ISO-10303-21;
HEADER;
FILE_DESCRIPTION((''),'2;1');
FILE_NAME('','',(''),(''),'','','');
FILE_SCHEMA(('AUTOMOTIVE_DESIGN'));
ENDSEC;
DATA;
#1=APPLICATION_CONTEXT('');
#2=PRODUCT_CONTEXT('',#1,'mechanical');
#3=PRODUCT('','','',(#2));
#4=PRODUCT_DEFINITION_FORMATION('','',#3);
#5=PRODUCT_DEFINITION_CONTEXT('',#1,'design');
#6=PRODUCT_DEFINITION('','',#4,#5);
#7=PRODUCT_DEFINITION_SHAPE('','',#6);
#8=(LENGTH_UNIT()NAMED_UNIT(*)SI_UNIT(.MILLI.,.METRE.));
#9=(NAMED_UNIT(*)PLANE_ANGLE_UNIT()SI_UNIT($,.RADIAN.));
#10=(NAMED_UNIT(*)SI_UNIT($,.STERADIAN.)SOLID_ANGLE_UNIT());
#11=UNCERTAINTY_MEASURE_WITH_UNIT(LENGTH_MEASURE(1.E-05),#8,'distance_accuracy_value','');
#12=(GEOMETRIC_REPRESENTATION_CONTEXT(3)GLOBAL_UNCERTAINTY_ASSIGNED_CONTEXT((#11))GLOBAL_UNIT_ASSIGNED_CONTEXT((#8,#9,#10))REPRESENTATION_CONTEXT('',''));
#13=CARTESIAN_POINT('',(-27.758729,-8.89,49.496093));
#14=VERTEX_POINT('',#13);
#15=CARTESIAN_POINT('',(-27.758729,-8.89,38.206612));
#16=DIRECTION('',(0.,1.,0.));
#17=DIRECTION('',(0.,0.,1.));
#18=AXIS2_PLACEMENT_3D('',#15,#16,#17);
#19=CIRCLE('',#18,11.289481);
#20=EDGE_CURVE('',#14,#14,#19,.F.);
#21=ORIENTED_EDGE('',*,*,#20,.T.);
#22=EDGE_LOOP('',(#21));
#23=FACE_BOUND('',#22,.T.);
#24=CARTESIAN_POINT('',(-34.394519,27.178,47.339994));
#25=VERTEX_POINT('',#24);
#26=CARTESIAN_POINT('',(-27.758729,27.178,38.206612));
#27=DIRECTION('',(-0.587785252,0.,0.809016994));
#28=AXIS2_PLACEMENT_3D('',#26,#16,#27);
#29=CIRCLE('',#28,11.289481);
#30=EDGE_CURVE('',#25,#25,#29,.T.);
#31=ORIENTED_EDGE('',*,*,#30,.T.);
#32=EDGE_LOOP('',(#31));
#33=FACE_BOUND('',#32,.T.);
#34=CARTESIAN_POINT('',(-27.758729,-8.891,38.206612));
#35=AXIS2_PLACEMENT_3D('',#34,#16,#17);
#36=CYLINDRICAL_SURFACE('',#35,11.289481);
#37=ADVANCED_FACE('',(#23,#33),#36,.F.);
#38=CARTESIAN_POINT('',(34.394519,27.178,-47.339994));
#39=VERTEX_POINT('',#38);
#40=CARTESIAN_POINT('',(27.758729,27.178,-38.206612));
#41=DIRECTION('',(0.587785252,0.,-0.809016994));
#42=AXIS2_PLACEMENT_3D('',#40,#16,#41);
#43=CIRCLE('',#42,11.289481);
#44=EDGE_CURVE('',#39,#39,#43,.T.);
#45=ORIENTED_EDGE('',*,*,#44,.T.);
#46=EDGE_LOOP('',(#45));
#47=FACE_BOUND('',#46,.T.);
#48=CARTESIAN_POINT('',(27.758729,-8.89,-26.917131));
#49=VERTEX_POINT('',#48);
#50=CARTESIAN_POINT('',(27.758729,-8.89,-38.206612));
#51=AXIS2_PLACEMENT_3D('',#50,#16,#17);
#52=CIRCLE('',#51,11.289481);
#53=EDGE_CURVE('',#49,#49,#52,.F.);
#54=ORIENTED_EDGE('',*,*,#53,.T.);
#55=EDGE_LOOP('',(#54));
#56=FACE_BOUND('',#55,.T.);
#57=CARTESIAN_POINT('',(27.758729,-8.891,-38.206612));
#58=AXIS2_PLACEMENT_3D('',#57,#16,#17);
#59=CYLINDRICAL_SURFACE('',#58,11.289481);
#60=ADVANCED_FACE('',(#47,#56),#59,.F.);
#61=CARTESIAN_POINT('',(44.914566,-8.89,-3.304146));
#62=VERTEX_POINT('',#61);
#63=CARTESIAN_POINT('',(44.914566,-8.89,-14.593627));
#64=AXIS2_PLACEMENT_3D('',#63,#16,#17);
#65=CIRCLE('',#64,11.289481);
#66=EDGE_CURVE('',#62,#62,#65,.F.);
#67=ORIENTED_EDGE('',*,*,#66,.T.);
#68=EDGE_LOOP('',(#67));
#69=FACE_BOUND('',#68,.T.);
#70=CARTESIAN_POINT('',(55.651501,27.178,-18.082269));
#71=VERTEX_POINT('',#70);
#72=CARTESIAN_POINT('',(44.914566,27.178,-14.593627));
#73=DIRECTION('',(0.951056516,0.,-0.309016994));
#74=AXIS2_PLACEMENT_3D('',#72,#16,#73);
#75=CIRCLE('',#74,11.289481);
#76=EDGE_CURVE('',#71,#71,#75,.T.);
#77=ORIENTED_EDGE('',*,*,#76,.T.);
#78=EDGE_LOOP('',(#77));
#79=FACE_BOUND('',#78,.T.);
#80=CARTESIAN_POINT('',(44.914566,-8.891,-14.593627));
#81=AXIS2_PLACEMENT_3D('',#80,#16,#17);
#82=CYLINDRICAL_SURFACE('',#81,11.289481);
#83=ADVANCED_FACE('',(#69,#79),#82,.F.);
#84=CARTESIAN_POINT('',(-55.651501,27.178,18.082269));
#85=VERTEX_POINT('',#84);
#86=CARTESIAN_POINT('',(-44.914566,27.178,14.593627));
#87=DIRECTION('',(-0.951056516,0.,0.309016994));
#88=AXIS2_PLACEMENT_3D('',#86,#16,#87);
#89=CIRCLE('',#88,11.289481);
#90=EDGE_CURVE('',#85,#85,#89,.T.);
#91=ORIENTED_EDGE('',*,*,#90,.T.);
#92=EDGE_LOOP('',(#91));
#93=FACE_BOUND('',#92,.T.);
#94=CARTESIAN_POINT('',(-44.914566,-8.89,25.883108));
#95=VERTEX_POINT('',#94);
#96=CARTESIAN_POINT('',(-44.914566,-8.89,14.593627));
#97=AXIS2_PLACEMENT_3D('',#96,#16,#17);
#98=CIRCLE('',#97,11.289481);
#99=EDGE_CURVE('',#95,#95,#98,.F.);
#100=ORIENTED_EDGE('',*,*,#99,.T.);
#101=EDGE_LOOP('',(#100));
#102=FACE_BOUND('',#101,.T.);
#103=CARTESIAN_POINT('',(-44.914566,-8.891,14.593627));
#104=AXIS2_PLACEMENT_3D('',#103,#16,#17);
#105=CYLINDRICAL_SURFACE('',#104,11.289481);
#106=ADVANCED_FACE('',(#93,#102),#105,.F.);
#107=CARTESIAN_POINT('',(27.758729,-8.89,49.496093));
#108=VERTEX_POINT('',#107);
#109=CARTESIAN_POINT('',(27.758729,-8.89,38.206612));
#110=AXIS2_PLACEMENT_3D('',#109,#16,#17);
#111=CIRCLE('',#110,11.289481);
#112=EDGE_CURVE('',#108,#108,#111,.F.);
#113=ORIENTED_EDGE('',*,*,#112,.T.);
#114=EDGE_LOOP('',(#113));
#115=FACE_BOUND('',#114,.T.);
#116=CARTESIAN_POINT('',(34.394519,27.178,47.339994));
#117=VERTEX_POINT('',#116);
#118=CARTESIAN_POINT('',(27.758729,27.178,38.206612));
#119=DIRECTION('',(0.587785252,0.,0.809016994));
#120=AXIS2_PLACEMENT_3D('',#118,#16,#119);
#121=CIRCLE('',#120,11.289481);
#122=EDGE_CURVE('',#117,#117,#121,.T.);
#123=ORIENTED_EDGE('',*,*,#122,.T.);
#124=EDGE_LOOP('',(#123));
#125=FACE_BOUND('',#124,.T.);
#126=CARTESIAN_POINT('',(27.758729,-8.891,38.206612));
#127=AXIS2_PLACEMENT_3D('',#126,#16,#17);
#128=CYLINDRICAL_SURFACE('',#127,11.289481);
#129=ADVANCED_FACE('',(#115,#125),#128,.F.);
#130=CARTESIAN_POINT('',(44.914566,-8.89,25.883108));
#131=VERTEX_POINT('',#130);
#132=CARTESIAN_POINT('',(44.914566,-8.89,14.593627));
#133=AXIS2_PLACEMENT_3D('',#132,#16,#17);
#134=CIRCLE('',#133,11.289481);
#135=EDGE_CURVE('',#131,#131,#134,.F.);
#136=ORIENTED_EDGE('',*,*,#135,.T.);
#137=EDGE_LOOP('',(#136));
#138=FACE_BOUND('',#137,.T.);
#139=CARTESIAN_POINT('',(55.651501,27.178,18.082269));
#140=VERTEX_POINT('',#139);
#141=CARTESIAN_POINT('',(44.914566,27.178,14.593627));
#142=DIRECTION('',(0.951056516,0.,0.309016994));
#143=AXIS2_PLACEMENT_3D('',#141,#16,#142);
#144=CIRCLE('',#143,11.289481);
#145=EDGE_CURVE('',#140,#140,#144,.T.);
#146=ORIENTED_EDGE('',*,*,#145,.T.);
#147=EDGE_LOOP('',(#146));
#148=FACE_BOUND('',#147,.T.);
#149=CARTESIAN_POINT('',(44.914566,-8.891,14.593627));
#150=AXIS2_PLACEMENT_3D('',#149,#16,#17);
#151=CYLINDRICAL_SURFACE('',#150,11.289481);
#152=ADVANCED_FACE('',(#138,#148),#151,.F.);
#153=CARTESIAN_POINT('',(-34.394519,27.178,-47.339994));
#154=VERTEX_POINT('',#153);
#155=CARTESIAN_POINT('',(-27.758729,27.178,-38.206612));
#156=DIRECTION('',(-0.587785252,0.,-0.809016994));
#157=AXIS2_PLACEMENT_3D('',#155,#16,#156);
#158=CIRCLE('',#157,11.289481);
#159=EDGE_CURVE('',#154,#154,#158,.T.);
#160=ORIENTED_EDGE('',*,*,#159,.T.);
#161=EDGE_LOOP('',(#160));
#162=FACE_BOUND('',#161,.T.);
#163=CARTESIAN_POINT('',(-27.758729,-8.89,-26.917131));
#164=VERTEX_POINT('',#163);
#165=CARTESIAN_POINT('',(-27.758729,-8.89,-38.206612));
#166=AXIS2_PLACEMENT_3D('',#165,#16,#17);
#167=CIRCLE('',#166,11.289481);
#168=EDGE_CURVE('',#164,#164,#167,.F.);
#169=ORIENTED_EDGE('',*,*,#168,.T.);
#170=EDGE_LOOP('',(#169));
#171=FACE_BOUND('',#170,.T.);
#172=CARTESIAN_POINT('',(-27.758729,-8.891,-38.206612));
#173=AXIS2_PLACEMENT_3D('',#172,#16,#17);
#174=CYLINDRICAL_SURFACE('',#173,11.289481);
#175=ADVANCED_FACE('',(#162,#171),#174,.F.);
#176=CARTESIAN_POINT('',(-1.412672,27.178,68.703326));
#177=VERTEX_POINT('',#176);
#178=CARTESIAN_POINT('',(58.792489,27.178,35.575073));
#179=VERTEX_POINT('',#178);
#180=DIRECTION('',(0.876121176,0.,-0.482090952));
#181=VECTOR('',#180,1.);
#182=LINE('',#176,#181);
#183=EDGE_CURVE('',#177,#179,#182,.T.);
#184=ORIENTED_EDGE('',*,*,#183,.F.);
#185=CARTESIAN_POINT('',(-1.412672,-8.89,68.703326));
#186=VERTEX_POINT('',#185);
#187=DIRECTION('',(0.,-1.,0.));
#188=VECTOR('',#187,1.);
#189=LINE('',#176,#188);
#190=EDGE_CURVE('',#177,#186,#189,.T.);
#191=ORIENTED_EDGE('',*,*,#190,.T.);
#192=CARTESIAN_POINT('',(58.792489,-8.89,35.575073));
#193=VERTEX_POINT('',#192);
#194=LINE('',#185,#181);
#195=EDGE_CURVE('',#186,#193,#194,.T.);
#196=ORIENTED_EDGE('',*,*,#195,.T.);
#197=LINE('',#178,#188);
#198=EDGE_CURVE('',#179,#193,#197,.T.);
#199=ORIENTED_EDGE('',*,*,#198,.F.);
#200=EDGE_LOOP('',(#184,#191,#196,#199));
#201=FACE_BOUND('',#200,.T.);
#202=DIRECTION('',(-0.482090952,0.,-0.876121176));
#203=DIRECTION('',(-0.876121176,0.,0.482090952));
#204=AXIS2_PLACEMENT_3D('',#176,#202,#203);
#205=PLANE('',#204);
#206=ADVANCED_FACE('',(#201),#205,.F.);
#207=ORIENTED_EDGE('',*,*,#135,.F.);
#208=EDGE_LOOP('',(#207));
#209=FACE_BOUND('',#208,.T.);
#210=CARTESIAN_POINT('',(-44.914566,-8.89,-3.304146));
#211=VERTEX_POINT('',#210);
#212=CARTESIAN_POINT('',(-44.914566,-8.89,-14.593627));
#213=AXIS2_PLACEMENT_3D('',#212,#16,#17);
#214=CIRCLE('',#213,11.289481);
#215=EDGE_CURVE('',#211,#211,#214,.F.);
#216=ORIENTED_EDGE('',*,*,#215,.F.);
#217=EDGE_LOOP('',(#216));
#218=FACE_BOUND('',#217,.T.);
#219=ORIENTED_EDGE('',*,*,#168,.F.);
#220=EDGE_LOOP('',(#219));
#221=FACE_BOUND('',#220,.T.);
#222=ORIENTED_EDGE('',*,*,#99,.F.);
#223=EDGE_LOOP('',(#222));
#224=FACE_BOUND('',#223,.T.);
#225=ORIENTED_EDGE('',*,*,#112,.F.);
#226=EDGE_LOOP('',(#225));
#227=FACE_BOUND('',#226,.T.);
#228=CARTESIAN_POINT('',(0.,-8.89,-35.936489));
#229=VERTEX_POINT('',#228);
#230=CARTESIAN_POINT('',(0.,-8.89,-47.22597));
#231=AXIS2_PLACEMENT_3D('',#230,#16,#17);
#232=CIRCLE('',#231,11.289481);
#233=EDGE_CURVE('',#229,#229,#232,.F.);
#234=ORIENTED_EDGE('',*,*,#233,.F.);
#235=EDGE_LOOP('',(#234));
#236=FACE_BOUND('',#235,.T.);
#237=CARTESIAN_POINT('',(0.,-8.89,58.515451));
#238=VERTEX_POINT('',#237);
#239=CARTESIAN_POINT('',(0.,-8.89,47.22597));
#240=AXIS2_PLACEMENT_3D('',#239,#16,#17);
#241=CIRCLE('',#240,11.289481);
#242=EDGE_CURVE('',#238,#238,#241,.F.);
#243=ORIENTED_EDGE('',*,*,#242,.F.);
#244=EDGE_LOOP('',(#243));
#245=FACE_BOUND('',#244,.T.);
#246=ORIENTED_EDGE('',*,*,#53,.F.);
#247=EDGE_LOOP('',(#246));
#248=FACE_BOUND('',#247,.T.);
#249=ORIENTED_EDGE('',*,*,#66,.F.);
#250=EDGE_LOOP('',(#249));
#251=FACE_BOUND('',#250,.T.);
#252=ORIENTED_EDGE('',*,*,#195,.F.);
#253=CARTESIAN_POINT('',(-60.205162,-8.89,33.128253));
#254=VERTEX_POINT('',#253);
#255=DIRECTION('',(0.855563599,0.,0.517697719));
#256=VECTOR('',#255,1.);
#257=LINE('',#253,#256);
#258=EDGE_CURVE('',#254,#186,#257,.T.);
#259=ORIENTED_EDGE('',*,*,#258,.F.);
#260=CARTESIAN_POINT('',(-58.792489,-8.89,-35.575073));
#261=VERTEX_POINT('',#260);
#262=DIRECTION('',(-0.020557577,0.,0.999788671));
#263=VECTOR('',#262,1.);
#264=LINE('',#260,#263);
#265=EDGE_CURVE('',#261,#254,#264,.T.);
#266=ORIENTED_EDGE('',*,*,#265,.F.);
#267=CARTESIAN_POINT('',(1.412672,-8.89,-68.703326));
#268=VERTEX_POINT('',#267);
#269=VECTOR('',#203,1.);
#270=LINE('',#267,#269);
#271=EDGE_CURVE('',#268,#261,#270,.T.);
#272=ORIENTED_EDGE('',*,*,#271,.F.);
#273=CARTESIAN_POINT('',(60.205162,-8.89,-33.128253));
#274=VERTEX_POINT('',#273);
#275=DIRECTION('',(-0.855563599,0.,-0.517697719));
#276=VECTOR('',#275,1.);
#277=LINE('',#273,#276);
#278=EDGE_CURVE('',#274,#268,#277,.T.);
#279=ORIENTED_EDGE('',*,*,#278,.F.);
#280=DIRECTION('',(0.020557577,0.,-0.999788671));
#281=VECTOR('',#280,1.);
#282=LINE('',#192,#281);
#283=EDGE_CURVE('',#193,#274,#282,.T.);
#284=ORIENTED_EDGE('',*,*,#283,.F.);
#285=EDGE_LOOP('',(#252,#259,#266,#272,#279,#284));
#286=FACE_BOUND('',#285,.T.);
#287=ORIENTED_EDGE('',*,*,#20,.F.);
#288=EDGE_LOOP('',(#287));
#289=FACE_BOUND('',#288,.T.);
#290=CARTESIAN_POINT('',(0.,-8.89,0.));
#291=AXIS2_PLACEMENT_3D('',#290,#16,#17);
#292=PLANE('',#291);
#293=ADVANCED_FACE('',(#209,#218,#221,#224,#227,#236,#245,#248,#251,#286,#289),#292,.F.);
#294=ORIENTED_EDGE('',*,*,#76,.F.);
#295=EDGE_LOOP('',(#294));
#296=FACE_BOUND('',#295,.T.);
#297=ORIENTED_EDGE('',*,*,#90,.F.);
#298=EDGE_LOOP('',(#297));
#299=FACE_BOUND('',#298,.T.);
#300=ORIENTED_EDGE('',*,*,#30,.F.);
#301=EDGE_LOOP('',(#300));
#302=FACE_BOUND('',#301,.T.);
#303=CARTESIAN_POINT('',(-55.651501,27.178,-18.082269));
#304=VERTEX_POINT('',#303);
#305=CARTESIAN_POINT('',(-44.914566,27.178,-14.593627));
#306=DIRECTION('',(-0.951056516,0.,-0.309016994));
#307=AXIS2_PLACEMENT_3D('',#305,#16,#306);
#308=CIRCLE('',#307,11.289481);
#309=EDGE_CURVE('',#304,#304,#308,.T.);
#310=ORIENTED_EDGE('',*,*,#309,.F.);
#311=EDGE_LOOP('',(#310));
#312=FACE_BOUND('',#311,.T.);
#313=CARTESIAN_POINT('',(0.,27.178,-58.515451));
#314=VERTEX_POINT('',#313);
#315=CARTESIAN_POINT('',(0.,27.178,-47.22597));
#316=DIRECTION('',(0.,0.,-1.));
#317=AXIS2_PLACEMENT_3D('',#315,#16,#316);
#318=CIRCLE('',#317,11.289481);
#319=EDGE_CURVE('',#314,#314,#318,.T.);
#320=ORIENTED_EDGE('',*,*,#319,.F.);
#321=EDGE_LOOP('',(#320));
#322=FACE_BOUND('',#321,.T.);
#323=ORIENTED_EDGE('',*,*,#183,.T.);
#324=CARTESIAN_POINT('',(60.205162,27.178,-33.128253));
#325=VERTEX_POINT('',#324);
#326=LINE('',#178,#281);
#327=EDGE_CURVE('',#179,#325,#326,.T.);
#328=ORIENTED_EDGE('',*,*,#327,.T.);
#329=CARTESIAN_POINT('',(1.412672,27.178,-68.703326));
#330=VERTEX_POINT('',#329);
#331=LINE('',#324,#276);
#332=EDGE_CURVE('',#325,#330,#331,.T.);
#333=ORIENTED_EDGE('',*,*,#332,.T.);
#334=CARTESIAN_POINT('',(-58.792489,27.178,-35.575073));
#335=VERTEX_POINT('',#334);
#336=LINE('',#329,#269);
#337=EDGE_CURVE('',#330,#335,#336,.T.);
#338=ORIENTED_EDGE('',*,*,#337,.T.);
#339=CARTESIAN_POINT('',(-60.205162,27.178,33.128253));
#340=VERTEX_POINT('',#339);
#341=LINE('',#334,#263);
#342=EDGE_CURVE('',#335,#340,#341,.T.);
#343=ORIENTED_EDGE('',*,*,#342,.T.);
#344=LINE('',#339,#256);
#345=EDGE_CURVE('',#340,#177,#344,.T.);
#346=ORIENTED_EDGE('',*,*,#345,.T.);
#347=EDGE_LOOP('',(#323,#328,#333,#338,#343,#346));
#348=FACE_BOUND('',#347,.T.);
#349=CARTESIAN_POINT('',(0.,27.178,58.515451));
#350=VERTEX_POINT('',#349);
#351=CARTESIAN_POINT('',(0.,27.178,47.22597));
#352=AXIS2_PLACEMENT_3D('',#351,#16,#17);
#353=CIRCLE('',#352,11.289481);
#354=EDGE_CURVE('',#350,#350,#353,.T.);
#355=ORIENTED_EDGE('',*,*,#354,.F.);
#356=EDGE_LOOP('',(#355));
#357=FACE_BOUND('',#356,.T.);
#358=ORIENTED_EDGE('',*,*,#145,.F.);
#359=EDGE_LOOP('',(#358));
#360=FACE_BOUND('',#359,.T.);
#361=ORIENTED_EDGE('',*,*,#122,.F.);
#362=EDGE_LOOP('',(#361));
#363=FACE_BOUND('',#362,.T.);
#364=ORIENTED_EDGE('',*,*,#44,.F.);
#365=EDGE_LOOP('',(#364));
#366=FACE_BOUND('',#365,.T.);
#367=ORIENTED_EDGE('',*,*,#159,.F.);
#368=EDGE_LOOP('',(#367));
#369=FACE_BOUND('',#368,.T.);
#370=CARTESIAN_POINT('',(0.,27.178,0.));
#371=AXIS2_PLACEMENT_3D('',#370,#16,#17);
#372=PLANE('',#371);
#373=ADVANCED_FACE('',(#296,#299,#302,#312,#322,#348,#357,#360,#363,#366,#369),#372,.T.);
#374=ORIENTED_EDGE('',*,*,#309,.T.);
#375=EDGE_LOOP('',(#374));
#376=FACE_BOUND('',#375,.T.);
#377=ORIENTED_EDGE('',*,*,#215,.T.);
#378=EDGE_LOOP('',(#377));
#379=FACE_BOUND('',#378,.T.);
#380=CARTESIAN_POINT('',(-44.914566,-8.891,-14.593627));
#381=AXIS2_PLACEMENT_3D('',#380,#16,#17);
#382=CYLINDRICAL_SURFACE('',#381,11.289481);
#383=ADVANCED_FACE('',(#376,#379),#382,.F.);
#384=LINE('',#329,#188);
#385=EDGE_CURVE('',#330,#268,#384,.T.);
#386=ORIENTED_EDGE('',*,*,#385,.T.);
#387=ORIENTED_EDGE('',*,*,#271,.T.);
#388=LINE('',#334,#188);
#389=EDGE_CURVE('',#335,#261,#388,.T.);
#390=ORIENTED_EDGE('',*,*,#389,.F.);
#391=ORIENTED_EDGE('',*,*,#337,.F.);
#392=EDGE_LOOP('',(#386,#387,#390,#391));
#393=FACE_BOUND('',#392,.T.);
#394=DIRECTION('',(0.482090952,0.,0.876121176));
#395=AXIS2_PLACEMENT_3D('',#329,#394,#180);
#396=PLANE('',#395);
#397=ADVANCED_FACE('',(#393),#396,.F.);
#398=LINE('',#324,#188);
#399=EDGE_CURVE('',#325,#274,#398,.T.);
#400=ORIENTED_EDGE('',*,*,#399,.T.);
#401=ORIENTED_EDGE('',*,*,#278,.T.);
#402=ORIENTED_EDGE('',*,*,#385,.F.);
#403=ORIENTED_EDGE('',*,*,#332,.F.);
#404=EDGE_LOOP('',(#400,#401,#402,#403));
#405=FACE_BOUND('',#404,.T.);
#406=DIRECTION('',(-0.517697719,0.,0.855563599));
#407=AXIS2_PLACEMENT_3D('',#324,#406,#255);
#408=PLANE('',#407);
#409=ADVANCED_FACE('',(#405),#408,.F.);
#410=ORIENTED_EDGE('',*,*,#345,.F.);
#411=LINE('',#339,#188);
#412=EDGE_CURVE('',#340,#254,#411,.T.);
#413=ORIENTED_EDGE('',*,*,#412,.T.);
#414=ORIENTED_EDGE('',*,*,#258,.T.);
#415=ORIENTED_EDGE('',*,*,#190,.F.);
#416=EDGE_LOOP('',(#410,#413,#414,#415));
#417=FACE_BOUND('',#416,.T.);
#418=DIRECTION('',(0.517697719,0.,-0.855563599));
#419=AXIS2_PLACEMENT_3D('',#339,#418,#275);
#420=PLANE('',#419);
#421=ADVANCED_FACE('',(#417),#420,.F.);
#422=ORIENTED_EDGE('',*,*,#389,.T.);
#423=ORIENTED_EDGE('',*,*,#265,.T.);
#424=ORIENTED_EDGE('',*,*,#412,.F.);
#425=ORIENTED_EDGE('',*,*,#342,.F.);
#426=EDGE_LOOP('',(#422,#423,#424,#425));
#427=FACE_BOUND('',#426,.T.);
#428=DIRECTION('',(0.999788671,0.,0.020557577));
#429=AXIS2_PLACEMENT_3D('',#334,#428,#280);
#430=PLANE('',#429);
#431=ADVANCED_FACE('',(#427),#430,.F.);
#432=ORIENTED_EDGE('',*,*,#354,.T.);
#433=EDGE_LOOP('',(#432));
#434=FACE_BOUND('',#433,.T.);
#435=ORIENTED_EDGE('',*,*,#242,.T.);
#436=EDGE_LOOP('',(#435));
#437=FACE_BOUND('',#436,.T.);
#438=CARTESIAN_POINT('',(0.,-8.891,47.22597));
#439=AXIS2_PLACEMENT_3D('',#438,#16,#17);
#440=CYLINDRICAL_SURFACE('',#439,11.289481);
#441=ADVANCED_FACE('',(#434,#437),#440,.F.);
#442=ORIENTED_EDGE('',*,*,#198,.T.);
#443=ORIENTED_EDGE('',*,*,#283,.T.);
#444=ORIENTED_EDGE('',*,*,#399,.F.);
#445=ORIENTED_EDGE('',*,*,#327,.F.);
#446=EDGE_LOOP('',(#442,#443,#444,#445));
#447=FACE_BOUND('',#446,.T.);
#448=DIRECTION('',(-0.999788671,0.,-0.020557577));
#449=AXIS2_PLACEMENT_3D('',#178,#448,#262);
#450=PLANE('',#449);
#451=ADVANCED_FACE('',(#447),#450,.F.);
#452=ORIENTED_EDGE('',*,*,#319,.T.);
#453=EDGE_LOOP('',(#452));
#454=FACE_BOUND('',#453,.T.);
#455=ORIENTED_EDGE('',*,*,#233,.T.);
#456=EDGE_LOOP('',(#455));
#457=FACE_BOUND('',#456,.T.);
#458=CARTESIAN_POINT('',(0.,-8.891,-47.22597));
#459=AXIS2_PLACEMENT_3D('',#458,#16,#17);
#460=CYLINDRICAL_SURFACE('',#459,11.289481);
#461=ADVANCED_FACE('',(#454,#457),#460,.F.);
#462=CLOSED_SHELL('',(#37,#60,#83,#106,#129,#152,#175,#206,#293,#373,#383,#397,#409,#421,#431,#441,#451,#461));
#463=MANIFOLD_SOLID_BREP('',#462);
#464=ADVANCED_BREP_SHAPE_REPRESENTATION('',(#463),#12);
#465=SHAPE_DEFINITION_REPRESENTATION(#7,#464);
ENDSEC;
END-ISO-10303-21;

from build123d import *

# Parameters (mm, degrees)
BOSS_EXTRUDE1_DEPTH      = 27.178
BOSS_EXTRUDE1_DEPTH_BACK = 8.89
CUT_EXTRUDE1_REACH       = 100.213
SKETCH3_R                = 11.289480869
CIRPATTERN1_COUNT        = 10


with BuildPart() as part:
    # Sketch1 → Boss-Extrude1 (new, two sides: drawn at the far end of the back side and taken through both)
    with BuildSketch(Plane(origin=(0, 0, 0), x_dir=(1, 0, 0), z_dir=(0, 1, 0)).offset(-BOSS_EXTRUDE1_DEPTH_BACK)):
        Polygon((58.792489402, -35.575073205), (60.205161838, 33.128252771), (1.412672436, 68.703325976), (-58.792489402, 35.575073205), (-60.205161838, -33.128252771), (-1.412672436, -68.703325976), align=None)
    extrude(amount=BOSS_EXTRUDE1_DEPTH + BOSS_EXTRUDE1_DEPTH_BACK)

    # Sketch3 → Cut-Extrude1 (cut, up to next)
    with BuildSketch(Plane(origin=(0, 27.178, 0), x_dir=(1, 0, 0), z_dir=(0, 1, 0)), mode=Mode.PRIVATE) as cut_extrude1_sk1:
        with Locations((0, -47.225969932)):
            Circle(SKETCH3_R)
    cut_extrude1_tool1 = extrude(cut_extrude1_sk1.sketch, amount=-CUT_EXTRUDE1_REACH, mode=Mode.PRIVATE) & part.part
    cut_extrude1 = cut_extrude1_tool1.solids().sort_by_distance((0, 27.178, 47.22597))[0]
    add(cut_extrude1, mode=Mode.SUBTRACT)

    # CirPattern1: Cut-Extrude1 ×10 about axis
    cirpattern1_axis = Axis((0, 28.9814, 0), (0, -1, 0))
    for i in range(1, CIRPATTERN1_COUNT):
        add(cut_extrude1.rotate(cirpattern1_axis, i * 360 / CIRPATTERN1_COUNT), mode=Mode.SUBTRACT)


solid = part.part
